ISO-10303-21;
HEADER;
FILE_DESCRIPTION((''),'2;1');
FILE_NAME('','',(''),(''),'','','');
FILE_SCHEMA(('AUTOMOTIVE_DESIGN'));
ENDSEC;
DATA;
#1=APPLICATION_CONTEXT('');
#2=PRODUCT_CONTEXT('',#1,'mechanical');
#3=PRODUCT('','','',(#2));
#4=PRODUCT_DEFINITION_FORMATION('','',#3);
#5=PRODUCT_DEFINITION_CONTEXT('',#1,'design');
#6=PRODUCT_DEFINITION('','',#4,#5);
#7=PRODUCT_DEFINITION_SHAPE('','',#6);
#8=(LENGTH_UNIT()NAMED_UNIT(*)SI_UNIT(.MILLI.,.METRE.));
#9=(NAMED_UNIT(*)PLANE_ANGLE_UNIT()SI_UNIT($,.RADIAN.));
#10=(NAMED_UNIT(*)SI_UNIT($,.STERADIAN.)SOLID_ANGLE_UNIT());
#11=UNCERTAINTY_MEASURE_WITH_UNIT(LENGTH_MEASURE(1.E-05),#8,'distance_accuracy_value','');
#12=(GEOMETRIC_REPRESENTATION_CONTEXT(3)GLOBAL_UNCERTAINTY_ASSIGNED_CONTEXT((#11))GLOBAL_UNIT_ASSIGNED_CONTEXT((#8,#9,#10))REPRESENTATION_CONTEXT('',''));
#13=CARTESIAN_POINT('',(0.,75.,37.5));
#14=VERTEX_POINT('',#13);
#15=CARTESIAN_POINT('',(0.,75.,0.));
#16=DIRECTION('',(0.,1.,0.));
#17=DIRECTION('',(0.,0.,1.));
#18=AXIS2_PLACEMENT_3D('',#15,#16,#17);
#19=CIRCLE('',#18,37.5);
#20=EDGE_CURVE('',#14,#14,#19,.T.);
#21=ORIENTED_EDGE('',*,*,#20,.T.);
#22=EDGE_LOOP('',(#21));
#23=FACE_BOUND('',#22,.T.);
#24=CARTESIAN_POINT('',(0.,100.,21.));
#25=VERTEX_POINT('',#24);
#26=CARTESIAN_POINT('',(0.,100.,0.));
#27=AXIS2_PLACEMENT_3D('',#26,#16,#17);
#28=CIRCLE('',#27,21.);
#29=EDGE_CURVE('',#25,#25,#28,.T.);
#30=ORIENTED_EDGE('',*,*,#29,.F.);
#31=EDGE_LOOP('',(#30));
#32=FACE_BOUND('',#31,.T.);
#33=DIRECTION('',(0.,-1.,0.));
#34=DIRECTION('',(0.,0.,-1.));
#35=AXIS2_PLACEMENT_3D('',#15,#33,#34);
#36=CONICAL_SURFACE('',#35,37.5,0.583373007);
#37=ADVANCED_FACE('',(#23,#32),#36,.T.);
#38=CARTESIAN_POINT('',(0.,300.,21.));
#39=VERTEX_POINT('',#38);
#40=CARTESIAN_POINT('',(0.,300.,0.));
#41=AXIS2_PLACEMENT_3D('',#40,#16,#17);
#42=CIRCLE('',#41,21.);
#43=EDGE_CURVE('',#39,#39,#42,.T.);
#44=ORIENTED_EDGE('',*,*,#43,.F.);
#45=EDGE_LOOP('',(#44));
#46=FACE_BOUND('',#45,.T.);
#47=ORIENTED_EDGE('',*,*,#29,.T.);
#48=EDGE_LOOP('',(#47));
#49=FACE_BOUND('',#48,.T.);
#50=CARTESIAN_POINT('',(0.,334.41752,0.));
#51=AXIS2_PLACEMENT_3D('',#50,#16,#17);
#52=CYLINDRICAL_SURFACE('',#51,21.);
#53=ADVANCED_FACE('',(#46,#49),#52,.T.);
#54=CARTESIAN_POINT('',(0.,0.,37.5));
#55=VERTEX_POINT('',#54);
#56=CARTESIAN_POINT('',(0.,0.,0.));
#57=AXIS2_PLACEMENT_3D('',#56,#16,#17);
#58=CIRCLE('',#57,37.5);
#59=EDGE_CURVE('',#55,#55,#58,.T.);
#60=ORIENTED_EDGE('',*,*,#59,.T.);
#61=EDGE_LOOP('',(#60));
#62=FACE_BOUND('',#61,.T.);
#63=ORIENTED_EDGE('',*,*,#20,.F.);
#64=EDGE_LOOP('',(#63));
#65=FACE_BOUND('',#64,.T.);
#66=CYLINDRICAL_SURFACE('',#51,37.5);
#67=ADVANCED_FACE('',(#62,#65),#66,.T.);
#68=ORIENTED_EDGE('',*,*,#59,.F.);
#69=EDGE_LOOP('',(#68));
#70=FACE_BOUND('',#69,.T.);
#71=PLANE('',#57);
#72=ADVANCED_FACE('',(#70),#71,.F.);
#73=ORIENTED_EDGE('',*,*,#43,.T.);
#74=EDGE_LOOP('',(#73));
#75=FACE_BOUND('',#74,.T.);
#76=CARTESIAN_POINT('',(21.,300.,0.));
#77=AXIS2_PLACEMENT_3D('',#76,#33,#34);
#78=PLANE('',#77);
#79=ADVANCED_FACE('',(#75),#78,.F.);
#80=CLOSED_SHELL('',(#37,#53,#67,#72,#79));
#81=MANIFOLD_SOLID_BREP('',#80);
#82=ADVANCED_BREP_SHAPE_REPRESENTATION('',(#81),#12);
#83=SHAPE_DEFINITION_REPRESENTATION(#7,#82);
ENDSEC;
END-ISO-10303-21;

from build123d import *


with BuildPart() as part:
    # Sketch1 → Revolve1 (revolve)
    with BuildSketch(Plane.XY, mode=Mode.PRIVATE) as revolve1_sk:
        Polygon((0, 0), (37.5, 0), (37.5, 75), (21, 100), (21, 300), (0, 300), align=None)
    revolve(revolve1_sk.sketch.rotate(Axis((0, 334.417519896, 0), (0, -1, 0)), 90), axis=Axis((0, 334.417519896, 0), (0, -1, 0)))


solid = part.part
